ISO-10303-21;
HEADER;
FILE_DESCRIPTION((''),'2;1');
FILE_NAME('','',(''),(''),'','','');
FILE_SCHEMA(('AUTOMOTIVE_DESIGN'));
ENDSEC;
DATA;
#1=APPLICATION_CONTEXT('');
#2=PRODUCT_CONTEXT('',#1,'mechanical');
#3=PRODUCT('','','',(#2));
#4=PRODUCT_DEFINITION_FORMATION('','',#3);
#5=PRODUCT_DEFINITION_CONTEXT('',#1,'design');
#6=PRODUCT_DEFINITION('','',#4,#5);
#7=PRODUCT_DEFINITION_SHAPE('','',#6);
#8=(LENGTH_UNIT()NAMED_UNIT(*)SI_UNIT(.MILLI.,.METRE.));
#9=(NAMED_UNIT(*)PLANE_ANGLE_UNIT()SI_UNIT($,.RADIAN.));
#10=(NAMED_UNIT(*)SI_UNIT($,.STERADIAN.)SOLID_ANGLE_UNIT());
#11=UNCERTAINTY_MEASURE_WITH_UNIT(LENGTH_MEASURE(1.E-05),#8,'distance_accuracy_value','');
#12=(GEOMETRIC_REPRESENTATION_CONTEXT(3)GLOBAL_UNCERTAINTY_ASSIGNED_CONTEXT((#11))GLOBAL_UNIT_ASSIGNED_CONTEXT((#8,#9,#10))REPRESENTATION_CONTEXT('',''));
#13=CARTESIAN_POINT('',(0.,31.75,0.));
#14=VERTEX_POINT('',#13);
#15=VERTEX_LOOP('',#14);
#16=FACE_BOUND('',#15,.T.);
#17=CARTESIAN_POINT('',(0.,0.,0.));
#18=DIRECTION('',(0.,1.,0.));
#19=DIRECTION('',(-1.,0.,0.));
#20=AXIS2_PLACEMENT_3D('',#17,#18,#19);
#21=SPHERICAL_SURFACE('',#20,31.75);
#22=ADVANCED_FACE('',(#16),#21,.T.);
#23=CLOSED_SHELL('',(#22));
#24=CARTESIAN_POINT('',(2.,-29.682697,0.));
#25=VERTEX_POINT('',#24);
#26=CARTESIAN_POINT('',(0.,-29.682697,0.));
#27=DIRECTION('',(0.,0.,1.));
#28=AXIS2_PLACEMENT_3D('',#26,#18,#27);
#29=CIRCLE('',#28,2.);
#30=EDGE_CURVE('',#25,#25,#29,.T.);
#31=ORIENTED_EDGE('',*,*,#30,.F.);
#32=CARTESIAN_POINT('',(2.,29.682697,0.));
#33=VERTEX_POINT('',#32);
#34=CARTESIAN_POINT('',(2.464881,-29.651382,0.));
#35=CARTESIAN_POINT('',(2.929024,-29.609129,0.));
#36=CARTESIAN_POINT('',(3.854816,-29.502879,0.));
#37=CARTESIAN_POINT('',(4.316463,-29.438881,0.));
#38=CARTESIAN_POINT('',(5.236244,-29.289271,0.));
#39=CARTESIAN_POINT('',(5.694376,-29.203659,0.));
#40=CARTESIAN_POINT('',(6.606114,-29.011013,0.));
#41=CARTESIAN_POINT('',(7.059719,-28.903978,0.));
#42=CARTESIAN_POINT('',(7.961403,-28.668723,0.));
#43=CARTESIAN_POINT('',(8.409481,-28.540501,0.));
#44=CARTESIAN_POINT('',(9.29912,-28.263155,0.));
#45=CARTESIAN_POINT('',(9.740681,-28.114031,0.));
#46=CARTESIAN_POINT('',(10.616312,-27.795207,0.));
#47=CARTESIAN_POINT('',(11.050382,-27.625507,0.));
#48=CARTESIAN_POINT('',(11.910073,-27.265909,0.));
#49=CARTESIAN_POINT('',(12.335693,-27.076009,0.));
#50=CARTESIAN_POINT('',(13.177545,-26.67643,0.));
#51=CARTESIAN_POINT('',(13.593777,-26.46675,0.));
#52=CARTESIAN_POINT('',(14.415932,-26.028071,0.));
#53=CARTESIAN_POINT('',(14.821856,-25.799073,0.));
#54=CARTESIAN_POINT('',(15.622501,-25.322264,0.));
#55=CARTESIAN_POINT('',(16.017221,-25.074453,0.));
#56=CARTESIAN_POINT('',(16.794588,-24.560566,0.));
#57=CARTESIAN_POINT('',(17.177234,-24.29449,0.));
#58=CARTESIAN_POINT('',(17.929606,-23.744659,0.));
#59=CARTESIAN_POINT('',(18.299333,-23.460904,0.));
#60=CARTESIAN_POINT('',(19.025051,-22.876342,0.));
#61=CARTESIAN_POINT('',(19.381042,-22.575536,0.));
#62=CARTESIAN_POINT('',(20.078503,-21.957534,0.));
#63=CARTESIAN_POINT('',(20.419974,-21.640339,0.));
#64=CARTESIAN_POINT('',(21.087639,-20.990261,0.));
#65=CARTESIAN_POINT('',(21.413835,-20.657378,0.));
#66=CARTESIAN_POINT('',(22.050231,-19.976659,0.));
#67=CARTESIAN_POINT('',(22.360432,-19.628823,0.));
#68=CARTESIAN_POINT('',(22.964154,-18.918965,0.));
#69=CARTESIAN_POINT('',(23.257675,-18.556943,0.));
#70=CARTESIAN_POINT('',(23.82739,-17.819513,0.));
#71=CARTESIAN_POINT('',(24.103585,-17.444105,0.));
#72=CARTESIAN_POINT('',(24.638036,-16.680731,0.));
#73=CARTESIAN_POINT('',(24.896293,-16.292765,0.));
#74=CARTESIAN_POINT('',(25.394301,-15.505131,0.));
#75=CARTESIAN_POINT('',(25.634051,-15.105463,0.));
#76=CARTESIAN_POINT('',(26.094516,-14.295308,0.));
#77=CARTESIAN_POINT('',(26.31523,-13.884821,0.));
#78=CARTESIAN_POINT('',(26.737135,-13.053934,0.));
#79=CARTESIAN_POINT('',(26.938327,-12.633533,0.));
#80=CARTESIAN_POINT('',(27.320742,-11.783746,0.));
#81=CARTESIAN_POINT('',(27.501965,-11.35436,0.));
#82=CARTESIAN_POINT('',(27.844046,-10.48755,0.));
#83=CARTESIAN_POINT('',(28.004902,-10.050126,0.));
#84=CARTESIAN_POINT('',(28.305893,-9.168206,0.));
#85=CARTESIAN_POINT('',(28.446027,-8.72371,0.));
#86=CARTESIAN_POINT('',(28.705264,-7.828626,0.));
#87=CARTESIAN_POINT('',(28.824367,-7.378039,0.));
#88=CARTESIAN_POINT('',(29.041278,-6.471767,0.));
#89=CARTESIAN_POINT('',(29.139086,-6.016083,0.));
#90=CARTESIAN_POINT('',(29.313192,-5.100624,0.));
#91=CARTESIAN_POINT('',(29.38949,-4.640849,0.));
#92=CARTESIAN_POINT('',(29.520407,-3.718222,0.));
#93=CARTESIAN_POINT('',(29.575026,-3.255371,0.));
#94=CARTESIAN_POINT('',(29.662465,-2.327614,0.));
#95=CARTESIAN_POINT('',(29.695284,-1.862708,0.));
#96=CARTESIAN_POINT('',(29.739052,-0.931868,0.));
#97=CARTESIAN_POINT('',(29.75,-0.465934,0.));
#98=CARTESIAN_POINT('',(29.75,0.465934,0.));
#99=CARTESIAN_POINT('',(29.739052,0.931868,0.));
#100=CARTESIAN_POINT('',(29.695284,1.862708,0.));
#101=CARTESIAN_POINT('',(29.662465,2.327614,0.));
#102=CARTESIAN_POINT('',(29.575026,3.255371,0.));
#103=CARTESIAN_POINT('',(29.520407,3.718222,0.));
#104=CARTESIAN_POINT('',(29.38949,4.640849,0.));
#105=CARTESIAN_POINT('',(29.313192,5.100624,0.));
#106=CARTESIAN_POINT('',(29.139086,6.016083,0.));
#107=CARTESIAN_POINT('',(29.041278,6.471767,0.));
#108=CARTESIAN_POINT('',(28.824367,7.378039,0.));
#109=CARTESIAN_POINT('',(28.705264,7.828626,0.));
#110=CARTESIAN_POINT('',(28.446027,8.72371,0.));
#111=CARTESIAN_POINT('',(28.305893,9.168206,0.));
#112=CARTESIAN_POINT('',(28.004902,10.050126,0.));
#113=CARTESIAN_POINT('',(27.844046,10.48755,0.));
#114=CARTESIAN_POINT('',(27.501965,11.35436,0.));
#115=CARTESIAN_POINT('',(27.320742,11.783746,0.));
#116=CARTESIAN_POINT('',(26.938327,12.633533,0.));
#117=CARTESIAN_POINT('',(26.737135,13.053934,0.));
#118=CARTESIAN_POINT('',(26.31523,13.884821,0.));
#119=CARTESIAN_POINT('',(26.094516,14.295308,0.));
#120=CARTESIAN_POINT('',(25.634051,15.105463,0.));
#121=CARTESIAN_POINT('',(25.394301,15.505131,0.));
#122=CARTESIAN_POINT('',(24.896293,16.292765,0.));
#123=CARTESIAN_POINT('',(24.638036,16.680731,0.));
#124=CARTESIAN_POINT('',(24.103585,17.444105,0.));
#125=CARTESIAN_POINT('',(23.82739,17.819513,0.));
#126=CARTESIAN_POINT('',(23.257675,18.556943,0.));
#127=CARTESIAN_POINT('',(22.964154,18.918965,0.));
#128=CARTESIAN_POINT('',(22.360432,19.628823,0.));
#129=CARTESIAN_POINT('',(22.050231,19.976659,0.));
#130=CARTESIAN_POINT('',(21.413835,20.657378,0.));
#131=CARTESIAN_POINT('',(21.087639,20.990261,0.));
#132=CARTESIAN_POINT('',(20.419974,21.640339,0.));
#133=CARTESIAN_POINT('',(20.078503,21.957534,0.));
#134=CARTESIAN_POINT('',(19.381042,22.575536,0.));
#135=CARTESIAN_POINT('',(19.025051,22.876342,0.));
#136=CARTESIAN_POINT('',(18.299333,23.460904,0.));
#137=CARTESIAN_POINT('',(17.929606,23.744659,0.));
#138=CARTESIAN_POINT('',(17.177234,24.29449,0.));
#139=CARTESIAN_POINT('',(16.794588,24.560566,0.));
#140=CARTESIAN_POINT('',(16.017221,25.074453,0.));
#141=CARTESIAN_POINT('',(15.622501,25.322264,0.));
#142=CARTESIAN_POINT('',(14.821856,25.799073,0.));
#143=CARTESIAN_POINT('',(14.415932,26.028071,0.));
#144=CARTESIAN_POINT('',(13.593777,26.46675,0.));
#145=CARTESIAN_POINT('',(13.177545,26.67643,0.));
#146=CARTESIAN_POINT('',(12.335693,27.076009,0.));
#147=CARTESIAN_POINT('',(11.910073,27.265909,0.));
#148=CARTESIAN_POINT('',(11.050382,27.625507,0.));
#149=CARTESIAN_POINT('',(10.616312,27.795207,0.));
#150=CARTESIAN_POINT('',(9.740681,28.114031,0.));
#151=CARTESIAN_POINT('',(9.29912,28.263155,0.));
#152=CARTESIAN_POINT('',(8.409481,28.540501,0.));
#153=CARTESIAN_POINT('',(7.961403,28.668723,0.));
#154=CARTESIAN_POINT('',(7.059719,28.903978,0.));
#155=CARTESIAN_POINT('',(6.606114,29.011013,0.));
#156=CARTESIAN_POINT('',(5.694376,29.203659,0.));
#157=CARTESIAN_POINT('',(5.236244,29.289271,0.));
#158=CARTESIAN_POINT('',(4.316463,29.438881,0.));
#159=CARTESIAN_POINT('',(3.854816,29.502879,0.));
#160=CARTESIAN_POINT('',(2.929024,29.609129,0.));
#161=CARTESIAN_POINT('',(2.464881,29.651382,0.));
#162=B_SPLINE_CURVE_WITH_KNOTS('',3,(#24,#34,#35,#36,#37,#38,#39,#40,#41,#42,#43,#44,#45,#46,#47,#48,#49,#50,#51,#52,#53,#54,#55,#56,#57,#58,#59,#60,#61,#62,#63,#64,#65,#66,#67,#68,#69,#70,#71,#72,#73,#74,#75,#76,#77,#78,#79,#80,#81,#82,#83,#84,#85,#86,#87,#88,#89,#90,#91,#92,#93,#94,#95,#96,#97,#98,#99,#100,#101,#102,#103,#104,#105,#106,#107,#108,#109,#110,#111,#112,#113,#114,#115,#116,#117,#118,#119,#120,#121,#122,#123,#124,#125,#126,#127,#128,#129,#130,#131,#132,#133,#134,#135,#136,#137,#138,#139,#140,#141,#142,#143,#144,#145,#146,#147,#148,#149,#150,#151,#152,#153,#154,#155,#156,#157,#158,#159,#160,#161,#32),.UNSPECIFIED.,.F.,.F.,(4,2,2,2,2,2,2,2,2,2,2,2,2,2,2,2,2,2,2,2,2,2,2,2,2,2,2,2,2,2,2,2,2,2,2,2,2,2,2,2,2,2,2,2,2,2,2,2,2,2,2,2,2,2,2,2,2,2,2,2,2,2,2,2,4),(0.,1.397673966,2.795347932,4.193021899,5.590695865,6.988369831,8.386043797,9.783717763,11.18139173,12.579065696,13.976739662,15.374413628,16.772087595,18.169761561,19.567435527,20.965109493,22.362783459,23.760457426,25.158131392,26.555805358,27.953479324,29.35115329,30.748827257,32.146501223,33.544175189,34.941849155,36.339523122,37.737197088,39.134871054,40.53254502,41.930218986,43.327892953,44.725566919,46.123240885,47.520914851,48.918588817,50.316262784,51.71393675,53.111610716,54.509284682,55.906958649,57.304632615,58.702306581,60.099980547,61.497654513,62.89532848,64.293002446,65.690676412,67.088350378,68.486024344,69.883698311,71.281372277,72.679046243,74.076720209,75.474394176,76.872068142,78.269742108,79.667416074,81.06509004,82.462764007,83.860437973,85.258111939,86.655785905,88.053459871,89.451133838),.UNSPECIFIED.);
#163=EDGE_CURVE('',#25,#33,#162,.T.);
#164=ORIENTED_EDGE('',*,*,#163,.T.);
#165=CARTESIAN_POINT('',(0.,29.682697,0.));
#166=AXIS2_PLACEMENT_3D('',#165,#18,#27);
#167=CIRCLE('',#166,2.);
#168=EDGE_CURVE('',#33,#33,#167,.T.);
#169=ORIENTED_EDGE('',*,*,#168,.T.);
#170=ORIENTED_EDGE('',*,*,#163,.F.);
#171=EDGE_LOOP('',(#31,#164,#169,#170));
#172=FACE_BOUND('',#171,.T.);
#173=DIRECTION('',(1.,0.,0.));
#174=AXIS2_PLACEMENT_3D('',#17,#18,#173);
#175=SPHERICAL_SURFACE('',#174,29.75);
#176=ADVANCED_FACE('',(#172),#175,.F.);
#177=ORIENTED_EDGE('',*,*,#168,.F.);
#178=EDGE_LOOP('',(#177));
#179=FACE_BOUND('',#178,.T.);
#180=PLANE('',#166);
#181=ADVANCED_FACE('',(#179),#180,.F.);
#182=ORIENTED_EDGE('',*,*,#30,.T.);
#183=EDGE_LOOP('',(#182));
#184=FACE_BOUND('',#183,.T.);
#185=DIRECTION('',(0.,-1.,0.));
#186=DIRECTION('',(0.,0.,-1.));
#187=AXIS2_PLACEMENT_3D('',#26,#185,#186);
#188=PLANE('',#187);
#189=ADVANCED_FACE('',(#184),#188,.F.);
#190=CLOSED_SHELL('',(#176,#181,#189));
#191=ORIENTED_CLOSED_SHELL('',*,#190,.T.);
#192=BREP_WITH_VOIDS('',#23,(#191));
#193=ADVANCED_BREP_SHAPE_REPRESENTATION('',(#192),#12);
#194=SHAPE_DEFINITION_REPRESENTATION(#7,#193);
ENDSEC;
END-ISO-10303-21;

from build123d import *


with BuildPart() as part:
    # Sketch1 → Revolve1 (revolve)
    with BuildSketch(Plane.XY, mode=Mode.PRIVATE) as revolve1_sk:
        with BuildLine():
            Line((0, -31.75), (0, -29.68269698))
            Line((0, -29.68269698), (2, -29.68269698))
            ThreePointArc((2, -29.68269698), (29.75, 0), (2, 29.68269698))
            Line((2, 29.68269698), (0, 29.68269698))
            Line((0, 29.68269698), (0, 31.75))
            ThreePointArc((0, 31.75), (31.75, 0), (0, -31.75))
        make_face()
    revolve(revolve1_sk.sketch.rotate(Axis((0, 31.75, 0), (0, -1, 0)), 180), axis=Axis((0, 31.75, 0), (0, -1, 0)))


solid = part.part
